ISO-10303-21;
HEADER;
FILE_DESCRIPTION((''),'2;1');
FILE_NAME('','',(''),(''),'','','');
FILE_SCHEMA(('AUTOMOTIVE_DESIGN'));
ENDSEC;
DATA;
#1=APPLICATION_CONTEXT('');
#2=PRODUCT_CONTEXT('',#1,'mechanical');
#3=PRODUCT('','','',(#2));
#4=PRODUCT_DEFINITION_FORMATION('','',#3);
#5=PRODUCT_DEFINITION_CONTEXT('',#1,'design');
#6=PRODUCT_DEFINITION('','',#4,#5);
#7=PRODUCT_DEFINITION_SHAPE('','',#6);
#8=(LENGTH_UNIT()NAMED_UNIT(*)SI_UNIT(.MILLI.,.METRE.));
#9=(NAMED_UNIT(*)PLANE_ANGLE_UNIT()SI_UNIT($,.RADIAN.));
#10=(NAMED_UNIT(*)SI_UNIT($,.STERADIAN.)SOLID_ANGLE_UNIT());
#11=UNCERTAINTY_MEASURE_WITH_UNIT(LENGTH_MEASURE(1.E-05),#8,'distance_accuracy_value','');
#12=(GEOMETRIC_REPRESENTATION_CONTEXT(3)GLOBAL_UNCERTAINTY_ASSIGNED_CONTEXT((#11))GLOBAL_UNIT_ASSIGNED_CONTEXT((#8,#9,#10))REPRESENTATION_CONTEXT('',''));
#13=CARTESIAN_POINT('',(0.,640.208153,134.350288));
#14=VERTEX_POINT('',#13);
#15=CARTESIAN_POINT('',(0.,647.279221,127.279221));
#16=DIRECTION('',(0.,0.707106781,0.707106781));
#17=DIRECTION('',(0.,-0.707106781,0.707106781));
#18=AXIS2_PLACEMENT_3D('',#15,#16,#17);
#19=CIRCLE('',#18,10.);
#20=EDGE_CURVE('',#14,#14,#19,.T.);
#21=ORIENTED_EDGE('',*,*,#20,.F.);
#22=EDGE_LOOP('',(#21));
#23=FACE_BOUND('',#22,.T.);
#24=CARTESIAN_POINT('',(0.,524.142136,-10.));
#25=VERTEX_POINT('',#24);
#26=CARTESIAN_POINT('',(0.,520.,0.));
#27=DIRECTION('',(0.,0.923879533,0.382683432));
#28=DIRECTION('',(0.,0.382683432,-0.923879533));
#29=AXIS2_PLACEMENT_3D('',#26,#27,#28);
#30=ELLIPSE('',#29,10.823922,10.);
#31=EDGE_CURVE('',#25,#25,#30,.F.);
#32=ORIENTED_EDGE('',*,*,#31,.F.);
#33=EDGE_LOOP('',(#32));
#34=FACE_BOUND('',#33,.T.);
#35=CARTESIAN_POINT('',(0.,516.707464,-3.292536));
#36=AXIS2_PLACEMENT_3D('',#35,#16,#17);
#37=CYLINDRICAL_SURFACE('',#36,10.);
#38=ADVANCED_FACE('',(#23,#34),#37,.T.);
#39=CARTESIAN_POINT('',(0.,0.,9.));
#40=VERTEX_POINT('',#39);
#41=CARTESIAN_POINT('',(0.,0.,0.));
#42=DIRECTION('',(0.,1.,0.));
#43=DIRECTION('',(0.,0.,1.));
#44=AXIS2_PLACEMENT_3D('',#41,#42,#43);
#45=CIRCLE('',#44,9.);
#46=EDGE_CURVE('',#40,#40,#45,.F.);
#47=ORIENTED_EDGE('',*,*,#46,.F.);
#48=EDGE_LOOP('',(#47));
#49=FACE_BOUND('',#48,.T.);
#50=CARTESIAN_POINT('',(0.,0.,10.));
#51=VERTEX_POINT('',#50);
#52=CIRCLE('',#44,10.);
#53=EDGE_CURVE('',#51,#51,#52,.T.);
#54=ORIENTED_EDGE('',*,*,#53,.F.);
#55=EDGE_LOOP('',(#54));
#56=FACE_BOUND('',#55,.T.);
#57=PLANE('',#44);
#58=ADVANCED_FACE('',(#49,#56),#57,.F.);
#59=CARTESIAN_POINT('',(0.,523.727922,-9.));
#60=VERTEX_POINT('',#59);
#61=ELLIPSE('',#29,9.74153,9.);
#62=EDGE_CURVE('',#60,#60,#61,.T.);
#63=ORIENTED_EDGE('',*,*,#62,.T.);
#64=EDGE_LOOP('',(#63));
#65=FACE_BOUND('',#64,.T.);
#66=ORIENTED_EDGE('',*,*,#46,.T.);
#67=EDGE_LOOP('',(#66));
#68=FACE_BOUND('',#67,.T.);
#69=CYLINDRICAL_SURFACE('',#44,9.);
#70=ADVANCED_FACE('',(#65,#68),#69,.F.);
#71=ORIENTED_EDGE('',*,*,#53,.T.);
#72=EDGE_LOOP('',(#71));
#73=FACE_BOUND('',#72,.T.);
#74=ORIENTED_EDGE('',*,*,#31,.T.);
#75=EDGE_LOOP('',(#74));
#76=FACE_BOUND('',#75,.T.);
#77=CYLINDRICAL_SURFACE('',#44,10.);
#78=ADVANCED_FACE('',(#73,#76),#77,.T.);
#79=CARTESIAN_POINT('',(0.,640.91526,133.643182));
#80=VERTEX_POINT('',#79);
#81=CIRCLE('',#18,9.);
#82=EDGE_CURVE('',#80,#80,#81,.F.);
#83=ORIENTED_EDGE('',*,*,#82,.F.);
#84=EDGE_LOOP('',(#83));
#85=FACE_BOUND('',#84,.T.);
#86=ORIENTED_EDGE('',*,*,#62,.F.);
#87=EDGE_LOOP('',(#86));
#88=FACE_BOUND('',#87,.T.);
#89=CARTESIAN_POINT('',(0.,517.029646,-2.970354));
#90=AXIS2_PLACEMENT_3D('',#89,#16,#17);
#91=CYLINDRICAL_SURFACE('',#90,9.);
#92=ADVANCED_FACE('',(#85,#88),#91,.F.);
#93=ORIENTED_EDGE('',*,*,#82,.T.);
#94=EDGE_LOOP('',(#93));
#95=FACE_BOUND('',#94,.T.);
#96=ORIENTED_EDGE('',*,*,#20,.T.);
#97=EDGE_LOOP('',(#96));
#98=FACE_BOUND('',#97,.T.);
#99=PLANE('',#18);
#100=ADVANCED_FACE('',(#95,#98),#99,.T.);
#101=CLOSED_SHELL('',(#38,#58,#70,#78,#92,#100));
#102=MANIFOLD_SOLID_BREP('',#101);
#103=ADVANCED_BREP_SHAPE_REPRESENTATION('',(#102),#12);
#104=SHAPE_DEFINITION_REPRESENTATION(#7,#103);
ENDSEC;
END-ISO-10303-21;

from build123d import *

# Parameters (mm, degrees)
ESBO_O1_R   = 10
ESBO_O1_R_2 = 9


with BuildPart() as part:
    # Varredura1: sweep along a path in Esboço2
    with BuildLine(Plane(origin=(0, 0, 0), x_dir=(0, 0, -1), z_dir=(1, 0, 0))) as varredura1_path:
        Line((0, 0), (0, 520))
        Line((0, 520), (-127.279220614, 647.279220614))
    # Esboço1 → Varredura1 (sweep)
    with BuildSketch(Plane(origin=(0, 0, 0), x_dir=(1, 0, 0), z_dir=(0, 1, 0))):
        Circle(ESBO_O1_R)
        Circle(ESBO_O1_R_2, mode=Mode.SUBTRACT)
    sweep(path=varredura1_path.line, transition=Transition.RIGHT)


solid = part.part
